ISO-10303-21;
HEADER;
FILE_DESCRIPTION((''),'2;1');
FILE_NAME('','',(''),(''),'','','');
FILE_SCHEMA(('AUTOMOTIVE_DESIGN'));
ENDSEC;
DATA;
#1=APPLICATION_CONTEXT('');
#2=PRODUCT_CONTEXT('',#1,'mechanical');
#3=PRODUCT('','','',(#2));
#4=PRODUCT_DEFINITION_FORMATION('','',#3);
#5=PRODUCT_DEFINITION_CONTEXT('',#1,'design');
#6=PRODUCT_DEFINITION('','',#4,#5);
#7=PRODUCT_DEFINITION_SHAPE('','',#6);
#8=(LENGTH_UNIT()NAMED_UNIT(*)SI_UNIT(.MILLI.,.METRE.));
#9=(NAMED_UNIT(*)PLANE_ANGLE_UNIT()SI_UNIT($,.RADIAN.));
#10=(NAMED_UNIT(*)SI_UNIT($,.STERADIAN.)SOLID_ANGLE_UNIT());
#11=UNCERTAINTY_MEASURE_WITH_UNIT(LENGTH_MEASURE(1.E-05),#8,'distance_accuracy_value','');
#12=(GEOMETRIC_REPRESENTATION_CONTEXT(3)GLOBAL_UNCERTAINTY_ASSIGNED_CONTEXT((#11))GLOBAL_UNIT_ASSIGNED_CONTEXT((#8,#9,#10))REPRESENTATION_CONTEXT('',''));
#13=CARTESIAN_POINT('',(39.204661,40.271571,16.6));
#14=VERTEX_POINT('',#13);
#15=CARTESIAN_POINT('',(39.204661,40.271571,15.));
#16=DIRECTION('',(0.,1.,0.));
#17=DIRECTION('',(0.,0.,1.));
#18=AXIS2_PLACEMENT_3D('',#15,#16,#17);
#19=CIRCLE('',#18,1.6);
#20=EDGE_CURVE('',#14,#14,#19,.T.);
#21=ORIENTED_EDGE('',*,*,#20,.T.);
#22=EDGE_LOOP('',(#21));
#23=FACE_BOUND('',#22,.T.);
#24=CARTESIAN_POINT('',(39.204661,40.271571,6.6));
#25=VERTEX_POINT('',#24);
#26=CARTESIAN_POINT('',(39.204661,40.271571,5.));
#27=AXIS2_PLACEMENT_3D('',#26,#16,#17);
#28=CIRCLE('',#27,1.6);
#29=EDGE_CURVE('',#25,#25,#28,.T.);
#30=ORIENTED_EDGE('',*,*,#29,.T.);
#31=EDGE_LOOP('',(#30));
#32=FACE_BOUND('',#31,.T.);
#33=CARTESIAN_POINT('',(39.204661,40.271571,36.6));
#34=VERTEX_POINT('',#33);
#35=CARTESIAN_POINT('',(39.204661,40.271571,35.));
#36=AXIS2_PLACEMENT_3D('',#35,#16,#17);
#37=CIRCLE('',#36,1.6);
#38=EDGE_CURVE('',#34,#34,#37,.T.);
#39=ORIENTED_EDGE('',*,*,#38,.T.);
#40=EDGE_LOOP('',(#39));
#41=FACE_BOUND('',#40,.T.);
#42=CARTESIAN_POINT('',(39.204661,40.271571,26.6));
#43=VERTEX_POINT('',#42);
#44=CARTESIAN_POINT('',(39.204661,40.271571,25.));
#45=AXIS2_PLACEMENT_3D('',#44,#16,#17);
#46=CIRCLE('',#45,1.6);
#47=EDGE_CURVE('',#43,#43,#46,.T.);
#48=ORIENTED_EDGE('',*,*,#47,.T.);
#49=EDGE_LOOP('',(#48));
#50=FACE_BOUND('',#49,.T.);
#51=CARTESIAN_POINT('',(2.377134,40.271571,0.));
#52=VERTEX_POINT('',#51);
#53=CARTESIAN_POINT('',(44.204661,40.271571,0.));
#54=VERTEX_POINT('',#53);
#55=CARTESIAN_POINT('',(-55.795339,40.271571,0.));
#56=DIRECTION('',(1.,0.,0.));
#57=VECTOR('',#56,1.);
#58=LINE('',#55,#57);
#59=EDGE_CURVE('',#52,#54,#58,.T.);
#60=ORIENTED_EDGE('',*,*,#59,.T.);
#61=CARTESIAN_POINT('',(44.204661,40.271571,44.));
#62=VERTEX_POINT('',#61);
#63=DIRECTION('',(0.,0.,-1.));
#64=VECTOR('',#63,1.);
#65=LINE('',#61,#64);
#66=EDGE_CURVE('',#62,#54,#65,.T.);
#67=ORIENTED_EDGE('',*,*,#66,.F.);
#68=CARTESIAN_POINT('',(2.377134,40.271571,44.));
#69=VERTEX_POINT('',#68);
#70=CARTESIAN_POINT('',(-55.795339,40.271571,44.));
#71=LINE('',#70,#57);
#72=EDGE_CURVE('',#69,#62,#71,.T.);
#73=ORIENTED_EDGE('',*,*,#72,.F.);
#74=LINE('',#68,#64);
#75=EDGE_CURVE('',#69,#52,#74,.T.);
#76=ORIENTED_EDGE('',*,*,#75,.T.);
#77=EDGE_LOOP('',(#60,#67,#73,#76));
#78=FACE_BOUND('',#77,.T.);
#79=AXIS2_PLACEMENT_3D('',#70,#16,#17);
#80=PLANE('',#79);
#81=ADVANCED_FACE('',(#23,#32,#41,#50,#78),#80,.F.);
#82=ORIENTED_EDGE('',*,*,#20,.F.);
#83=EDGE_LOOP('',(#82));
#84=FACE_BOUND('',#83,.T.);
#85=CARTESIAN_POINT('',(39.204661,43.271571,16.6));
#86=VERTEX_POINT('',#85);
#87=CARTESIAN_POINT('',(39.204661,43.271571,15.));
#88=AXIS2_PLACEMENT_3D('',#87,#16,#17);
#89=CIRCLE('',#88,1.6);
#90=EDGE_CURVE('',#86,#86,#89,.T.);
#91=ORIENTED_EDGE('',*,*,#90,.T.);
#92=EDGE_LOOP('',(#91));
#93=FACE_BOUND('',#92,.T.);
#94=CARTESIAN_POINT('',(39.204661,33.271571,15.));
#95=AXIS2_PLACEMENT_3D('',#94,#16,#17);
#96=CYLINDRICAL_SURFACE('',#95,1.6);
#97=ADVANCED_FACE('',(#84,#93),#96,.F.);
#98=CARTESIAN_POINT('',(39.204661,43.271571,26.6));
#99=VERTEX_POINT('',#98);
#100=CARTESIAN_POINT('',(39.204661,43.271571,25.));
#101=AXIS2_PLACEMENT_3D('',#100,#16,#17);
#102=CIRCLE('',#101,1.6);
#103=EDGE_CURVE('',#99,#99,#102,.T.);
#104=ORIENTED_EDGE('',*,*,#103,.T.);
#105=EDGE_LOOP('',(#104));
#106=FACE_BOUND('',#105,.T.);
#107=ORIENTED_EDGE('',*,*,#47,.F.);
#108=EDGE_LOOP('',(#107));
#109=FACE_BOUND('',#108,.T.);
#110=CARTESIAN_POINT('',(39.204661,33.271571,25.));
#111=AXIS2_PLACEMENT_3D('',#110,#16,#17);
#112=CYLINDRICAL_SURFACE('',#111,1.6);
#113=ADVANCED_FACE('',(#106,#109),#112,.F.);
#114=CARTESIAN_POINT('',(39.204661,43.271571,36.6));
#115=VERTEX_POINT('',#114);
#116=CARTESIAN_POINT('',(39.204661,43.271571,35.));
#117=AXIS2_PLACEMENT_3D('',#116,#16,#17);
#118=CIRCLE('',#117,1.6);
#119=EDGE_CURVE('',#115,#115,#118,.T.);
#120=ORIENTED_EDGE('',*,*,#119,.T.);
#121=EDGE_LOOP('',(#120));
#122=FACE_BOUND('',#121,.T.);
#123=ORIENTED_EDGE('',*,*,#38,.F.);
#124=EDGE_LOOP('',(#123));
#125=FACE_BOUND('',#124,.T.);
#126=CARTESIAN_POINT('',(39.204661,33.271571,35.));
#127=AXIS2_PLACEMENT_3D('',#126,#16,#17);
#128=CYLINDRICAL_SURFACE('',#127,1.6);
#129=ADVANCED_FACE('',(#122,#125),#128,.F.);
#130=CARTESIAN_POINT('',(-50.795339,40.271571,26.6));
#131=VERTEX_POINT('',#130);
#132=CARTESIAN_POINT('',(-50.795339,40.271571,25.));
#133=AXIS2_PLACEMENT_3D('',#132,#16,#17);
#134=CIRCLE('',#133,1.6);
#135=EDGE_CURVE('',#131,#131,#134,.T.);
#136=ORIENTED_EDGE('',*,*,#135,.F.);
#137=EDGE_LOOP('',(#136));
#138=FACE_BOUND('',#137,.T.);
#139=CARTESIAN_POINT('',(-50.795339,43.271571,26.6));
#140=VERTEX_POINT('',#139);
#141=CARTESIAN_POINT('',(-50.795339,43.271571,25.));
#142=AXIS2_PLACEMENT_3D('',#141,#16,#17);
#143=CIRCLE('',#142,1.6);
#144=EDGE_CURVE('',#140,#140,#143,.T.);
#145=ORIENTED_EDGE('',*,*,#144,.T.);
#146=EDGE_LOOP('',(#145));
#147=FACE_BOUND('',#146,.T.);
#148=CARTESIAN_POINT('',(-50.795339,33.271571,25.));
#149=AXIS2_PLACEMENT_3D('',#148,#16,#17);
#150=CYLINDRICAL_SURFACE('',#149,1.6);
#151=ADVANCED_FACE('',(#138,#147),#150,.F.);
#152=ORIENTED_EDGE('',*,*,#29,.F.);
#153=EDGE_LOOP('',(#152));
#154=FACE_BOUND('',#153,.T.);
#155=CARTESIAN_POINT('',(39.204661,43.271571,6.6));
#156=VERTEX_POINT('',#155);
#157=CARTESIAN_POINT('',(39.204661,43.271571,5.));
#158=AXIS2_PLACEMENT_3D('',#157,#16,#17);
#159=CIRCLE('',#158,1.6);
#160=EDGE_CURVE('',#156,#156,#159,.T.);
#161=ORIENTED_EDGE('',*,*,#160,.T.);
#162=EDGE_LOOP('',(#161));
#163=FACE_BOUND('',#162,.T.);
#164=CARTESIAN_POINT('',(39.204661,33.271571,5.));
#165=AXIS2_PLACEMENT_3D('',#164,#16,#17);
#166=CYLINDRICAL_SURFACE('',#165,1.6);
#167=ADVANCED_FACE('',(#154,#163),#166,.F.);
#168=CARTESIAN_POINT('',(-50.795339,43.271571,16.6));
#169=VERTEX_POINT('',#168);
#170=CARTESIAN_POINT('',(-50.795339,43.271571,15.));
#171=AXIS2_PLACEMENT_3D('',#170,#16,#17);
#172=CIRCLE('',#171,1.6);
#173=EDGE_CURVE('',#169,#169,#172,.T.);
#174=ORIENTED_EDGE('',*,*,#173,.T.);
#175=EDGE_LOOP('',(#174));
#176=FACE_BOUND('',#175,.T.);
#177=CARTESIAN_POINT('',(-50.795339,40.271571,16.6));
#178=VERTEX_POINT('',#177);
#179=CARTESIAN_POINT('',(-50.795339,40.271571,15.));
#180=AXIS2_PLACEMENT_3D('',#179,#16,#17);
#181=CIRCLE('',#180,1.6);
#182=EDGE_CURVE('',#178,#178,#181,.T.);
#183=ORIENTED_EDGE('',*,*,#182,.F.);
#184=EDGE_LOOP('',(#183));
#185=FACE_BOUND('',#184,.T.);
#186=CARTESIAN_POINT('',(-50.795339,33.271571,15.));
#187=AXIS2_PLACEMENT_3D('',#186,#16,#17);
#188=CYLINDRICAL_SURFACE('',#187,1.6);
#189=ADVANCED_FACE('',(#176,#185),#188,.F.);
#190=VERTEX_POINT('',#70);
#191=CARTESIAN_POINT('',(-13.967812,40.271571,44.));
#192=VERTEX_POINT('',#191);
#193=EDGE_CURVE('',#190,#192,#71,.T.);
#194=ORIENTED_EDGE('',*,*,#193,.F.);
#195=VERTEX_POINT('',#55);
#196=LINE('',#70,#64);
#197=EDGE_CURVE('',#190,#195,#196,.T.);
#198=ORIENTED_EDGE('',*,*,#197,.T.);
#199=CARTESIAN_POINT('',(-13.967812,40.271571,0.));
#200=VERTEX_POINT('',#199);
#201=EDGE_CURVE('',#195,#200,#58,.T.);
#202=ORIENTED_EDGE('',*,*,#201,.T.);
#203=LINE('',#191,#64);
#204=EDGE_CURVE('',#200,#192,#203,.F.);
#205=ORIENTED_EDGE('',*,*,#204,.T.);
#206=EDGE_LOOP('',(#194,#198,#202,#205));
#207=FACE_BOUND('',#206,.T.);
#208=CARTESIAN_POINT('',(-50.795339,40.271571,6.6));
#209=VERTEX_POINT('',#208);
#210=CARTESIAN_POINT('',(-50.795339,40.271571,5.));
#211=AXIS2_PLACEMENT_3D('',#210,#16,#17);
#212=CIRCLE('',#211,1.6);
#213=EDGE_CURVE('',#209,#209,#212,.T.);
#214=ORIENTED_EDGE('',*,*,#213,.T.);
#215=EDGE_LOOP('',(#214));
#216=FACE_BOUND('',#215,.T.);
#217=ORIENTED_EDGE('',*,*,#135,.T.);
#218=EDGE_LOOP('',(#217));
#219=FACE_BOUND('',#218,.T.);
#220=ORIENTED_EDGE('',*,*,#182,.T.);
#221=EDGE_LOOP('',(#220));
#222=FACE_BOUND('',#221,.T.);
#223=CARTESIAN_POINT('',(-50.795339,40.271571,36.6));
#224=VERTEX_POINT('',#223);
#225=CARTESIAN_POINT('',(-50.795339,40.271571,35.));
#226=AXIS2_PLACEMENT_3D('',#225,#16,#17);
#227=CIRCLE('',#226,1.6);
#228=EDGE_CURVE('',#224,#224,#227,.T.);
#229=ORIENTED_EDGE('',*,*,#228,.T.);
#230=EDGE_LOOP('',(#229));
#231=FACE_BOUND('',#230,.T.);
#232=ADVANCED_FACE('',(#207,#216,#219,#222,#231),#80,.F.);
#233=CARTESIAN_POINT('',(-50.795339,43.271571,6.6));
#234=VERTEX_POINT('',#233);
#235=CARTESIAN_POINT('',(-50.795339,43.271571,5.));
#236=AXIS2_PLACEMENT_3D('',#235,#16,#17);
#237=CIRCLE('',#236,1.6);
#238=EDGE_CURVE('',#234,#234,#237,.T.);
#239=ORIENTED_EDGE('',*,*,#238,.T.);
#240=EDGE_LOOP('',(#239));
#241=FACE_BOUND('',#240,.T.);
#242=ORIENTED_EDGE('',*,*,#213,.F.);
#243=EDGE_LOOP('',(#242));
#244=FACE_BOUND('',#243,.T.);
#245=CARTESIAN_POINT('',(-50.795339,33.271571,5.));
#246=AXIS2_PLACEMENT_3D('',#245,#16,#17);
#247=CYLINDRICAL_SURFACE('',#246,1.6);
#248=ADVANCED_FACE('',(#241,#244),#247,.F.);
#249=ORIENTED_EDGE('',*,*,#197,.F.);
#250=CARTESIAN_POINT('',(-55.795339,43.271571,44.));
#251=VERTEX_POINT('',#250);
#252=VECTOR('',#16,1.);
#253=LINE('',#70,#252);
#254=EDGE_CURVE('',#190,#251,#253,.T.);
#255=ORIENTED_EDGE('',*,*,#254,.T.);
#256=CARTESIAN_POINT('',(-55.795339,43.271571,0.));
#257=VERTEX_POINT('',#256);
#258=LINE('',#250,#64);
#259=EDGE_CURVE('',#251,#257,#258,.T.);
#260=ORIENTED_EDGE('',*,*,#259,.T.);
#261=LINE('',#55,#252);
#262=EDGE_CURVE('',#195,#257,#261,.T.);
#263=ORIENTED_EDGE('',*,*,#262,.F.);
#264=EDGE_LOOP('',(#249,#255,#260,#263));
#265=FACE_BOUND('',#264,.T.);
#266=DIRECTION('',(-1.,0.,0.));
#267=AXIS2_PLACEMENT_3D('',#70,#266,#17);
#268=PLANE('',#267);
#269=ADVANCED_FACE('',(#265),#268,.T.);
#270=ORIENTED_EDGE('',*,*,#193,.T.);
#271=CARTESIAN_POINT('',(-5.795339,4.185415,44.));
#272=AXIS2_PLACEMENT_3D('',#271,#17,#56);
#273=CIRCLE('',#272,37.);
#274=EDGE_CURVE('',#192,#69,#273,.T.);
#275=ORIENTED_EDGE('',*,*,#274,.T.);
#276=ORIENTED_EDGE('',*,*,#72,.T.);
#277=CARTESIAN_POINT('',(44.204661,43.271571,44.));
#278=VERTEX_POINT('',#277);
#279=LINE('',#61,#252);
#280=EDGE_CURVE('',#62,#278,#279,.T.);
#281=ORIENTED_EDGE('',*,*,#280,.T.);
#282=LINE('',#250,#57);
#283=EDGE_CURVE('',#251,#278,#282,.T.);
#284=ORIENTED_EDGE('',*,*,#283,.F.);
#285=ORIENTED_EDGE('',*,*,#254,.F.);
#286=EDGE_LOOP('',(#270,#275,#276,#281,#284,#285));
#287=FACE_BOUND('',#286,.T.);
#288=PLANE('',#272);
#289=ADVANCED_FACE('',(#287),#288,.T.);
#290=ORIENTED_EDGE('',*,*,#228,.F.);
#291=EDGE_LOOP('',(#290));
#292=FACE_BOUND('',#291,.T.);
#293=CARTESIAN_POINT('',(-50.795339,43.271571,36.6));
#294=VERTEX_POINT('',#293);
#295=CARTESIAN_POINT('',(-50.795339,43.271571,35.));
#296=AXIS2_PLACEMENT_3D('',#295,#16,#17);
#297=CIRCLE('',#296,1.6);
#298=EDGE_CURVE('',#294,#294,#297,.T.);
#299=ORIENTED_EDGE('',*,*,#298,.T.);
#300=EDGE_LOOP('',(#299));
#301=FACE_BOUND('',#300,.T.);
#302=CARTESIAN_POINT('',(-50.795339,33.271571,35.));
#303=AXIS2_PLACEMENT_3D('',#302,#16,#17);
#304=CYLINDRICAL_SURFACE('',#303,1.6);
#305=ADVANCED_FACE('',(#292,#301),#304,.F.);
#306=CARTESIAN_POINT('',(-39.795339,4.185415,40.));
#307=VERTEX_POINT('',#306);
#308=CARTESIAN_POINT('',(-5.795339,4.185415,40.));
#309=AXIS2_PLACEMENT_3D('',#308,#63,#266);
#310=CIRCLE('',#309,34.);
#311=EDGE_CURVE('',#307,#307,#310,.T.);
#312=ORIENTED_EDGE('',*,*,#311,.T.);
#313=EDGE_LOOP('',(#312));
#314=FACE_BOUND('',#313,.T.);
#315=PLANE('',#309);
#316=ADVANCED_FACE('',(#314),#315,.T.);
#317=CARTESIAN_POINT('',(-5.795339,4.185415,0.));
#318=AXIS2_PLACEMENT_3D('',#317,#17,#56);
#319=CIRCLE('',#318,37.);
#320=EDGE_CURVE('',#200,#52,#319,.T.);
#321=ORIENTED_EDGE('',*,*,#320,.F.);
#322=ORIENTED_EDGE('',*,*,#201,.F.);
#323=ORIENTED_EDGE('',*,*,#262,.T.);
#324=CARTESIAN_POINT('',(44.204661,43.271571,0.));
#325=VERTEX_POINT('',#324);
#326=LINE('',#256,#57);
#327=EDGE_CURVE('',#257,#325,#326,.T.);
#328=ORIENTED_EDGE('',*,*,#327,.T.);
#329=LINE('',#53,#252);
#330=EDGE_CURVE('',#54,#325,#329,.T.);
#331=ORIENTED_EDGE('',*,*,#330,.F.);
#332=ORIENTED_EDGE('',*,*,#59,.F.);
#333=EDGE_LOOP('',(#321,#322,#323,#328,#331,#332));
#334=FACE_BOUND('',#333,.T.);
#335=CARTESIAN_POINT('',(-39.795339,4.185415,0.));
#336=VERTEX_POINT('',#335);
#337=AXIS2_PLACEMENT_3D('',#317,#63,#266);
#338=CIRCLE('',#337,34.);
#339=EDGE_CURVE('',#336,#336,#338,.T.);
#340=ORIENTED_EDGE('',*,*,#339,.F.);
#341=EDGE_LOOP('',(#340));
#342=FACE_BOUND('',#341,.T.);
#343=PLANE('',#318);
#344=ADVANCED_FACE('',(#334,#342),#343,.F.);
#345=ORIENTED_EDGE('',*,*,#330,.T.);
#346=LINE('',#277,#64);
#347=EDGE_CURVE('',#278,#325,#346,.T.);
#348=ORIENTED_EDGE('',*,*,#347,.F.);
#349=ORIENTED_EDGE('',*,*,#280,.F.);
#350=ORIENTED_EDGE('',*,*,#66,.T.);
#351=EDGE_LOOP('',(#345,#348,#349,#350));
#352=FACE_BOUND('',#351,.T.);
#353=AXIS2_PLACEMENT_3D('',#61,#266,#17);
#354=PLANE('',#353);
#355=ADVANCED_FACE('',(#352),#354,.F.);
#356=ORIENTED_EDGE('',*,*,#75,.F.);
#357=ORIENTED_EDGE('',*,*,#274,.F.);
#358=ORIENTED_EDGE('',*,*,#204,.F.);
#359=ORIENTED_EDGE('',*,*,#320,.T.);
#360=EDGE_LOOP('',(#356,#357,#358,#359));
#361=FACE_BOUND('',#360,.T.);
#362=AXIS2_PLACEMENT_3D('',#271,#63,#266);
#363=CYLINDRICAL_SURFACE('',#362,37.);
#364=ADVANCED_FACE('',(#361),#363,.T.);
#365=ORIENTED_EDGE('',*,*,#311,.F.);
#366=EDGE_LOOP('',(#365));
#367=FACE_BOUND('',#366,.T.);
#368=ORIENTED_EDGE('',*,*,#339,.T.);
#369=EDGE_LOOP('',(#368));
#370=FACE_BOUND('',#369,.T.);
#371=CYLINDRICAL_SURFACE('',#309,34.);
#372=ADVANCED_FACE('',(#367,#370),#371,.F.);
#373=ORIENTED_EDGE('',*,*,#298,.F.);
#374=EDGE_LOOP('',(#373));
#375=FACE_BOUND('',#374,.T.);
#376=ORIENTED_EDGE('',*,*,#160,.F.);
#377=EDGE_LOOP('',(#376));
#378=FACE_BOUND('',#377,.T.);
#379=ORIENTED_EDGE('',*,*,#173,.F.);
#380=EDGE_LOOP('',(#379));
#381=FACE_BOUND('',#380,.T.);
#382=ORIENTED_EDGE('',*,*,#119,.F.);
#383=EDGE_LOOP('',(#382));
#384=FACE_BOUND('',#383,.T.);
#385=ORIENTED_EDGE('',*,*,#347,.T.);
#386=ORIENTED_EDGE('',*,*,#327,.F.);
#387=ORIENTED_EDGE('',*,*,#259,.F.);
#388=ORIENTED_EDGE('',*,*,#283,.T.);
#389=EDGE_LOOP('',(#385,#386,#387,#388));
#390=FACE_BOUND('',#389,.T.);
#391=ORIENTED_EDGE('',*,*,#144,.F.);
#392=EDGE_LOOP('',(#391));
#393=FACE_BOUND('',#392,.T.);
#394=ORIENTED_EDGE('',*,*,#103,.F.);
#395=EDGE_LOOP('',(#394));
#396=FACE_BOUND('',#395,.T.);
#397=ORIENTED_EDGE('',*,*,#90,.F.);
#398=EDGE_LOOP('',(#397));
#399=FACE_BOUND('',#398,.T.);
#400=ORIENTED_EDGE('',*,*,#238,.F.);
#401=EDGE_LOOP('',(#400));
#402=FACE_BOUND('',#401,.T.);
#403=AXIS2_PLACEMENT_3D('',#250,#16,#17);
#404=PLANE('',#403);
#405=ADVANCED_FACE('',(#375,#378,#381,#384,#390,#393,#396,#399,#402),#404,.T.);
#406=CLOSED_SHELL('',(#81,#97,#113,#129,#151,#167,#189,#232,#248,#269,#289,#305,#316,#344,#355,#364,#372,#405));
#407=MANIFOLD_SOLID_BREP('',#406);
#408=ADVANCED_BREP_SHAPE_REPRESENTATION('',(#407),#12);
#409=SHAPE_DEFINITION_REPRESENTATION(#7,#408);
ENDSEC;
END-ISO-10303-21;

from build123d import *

# Parameters (mm, degrees)
SKETCH_1_R             = 37
SKETCH_1_W             = 100
SKETCH_1_H             = 3
EXTRUDE_1_DEPTH        = 44
SKETCH_2_R             = 34
CUT_EXTRUDE_1_DEPTH    = 40
SKETCH_4_R             = 1.6
CUT_EXTRUDE_2_DEPTH    = 10
PATTERN_LINEAR_1_COUNT = 2
PATTERN_LINEAR_1_PITCH = 90


with BuildPart() as part:
    # ｽｹｯﾁ1 → ﾎﾞｽ - 押し出し1 (new body)
    with BuildSketch(Plane.XY):
        with Locations((-5.795339113, 4.185414542)):
            Circle(SKETCH_1_R)
        with Locations((-5.795339113, 41.771570891)):
            Rectangle(SKETCH_1_W, SKETCH_1_H)
    extrude(amount=EXTRUDE_1_DEPTH)

    # ｽｹｯﾁ2 → ｶｯﾄ - 押し出し1 (cut)
    with BuildSketch(Plane(origin=(0, 0, 0), x_dir=(-1, 0, 0), z_dir=(0, 0, -1))):
        with Locations((5.795339113, 4.185414542)):
            Circle(SKETCH_2_R)
    extrude(amount=-CUT_EXTRUDE_1_DEPTH, mode=Mode.SUBTRACT)

    # ｽｹｯﾁ4 → ｶｯﾄ - 押し出し2 (cut)
    with BuildSketch(Plane(origin=(0, 43.271570891, 0), x_dir=(1, 0, 0), z_dir=(0, 1, 0))):
        with Locations((-50.795339113, -5)):
            Circle(SKETCH_4_R)
        with Locations((-50.795339113, -15)):
            Circle(SKETCH_4_R)
        with Locations((-50.795339113, -25)):
            Circle(SKETCH_4_R)
        with Locations((-50.795339113, -35)):
            Circle(SKETCH_4_R)
    cut_extrude_2 = extrude(amount=-CUT_EXTRUDE_2_DEPTH, mode=Mode.SUBTRACT)

    # 直線ﾊﾟﾀｰﾝ1: ｶｯﾄ - 押し出し2 ×2
    with Locations(*[(i * PATTERN_LINEAR_1_PITCH, 0, 0) for i in range(1, PATTERN_LINEAR_1_COUNT)]):
        add(cut_extrude_2, mode=Mode.SUBTRACT)


solid = part.part
